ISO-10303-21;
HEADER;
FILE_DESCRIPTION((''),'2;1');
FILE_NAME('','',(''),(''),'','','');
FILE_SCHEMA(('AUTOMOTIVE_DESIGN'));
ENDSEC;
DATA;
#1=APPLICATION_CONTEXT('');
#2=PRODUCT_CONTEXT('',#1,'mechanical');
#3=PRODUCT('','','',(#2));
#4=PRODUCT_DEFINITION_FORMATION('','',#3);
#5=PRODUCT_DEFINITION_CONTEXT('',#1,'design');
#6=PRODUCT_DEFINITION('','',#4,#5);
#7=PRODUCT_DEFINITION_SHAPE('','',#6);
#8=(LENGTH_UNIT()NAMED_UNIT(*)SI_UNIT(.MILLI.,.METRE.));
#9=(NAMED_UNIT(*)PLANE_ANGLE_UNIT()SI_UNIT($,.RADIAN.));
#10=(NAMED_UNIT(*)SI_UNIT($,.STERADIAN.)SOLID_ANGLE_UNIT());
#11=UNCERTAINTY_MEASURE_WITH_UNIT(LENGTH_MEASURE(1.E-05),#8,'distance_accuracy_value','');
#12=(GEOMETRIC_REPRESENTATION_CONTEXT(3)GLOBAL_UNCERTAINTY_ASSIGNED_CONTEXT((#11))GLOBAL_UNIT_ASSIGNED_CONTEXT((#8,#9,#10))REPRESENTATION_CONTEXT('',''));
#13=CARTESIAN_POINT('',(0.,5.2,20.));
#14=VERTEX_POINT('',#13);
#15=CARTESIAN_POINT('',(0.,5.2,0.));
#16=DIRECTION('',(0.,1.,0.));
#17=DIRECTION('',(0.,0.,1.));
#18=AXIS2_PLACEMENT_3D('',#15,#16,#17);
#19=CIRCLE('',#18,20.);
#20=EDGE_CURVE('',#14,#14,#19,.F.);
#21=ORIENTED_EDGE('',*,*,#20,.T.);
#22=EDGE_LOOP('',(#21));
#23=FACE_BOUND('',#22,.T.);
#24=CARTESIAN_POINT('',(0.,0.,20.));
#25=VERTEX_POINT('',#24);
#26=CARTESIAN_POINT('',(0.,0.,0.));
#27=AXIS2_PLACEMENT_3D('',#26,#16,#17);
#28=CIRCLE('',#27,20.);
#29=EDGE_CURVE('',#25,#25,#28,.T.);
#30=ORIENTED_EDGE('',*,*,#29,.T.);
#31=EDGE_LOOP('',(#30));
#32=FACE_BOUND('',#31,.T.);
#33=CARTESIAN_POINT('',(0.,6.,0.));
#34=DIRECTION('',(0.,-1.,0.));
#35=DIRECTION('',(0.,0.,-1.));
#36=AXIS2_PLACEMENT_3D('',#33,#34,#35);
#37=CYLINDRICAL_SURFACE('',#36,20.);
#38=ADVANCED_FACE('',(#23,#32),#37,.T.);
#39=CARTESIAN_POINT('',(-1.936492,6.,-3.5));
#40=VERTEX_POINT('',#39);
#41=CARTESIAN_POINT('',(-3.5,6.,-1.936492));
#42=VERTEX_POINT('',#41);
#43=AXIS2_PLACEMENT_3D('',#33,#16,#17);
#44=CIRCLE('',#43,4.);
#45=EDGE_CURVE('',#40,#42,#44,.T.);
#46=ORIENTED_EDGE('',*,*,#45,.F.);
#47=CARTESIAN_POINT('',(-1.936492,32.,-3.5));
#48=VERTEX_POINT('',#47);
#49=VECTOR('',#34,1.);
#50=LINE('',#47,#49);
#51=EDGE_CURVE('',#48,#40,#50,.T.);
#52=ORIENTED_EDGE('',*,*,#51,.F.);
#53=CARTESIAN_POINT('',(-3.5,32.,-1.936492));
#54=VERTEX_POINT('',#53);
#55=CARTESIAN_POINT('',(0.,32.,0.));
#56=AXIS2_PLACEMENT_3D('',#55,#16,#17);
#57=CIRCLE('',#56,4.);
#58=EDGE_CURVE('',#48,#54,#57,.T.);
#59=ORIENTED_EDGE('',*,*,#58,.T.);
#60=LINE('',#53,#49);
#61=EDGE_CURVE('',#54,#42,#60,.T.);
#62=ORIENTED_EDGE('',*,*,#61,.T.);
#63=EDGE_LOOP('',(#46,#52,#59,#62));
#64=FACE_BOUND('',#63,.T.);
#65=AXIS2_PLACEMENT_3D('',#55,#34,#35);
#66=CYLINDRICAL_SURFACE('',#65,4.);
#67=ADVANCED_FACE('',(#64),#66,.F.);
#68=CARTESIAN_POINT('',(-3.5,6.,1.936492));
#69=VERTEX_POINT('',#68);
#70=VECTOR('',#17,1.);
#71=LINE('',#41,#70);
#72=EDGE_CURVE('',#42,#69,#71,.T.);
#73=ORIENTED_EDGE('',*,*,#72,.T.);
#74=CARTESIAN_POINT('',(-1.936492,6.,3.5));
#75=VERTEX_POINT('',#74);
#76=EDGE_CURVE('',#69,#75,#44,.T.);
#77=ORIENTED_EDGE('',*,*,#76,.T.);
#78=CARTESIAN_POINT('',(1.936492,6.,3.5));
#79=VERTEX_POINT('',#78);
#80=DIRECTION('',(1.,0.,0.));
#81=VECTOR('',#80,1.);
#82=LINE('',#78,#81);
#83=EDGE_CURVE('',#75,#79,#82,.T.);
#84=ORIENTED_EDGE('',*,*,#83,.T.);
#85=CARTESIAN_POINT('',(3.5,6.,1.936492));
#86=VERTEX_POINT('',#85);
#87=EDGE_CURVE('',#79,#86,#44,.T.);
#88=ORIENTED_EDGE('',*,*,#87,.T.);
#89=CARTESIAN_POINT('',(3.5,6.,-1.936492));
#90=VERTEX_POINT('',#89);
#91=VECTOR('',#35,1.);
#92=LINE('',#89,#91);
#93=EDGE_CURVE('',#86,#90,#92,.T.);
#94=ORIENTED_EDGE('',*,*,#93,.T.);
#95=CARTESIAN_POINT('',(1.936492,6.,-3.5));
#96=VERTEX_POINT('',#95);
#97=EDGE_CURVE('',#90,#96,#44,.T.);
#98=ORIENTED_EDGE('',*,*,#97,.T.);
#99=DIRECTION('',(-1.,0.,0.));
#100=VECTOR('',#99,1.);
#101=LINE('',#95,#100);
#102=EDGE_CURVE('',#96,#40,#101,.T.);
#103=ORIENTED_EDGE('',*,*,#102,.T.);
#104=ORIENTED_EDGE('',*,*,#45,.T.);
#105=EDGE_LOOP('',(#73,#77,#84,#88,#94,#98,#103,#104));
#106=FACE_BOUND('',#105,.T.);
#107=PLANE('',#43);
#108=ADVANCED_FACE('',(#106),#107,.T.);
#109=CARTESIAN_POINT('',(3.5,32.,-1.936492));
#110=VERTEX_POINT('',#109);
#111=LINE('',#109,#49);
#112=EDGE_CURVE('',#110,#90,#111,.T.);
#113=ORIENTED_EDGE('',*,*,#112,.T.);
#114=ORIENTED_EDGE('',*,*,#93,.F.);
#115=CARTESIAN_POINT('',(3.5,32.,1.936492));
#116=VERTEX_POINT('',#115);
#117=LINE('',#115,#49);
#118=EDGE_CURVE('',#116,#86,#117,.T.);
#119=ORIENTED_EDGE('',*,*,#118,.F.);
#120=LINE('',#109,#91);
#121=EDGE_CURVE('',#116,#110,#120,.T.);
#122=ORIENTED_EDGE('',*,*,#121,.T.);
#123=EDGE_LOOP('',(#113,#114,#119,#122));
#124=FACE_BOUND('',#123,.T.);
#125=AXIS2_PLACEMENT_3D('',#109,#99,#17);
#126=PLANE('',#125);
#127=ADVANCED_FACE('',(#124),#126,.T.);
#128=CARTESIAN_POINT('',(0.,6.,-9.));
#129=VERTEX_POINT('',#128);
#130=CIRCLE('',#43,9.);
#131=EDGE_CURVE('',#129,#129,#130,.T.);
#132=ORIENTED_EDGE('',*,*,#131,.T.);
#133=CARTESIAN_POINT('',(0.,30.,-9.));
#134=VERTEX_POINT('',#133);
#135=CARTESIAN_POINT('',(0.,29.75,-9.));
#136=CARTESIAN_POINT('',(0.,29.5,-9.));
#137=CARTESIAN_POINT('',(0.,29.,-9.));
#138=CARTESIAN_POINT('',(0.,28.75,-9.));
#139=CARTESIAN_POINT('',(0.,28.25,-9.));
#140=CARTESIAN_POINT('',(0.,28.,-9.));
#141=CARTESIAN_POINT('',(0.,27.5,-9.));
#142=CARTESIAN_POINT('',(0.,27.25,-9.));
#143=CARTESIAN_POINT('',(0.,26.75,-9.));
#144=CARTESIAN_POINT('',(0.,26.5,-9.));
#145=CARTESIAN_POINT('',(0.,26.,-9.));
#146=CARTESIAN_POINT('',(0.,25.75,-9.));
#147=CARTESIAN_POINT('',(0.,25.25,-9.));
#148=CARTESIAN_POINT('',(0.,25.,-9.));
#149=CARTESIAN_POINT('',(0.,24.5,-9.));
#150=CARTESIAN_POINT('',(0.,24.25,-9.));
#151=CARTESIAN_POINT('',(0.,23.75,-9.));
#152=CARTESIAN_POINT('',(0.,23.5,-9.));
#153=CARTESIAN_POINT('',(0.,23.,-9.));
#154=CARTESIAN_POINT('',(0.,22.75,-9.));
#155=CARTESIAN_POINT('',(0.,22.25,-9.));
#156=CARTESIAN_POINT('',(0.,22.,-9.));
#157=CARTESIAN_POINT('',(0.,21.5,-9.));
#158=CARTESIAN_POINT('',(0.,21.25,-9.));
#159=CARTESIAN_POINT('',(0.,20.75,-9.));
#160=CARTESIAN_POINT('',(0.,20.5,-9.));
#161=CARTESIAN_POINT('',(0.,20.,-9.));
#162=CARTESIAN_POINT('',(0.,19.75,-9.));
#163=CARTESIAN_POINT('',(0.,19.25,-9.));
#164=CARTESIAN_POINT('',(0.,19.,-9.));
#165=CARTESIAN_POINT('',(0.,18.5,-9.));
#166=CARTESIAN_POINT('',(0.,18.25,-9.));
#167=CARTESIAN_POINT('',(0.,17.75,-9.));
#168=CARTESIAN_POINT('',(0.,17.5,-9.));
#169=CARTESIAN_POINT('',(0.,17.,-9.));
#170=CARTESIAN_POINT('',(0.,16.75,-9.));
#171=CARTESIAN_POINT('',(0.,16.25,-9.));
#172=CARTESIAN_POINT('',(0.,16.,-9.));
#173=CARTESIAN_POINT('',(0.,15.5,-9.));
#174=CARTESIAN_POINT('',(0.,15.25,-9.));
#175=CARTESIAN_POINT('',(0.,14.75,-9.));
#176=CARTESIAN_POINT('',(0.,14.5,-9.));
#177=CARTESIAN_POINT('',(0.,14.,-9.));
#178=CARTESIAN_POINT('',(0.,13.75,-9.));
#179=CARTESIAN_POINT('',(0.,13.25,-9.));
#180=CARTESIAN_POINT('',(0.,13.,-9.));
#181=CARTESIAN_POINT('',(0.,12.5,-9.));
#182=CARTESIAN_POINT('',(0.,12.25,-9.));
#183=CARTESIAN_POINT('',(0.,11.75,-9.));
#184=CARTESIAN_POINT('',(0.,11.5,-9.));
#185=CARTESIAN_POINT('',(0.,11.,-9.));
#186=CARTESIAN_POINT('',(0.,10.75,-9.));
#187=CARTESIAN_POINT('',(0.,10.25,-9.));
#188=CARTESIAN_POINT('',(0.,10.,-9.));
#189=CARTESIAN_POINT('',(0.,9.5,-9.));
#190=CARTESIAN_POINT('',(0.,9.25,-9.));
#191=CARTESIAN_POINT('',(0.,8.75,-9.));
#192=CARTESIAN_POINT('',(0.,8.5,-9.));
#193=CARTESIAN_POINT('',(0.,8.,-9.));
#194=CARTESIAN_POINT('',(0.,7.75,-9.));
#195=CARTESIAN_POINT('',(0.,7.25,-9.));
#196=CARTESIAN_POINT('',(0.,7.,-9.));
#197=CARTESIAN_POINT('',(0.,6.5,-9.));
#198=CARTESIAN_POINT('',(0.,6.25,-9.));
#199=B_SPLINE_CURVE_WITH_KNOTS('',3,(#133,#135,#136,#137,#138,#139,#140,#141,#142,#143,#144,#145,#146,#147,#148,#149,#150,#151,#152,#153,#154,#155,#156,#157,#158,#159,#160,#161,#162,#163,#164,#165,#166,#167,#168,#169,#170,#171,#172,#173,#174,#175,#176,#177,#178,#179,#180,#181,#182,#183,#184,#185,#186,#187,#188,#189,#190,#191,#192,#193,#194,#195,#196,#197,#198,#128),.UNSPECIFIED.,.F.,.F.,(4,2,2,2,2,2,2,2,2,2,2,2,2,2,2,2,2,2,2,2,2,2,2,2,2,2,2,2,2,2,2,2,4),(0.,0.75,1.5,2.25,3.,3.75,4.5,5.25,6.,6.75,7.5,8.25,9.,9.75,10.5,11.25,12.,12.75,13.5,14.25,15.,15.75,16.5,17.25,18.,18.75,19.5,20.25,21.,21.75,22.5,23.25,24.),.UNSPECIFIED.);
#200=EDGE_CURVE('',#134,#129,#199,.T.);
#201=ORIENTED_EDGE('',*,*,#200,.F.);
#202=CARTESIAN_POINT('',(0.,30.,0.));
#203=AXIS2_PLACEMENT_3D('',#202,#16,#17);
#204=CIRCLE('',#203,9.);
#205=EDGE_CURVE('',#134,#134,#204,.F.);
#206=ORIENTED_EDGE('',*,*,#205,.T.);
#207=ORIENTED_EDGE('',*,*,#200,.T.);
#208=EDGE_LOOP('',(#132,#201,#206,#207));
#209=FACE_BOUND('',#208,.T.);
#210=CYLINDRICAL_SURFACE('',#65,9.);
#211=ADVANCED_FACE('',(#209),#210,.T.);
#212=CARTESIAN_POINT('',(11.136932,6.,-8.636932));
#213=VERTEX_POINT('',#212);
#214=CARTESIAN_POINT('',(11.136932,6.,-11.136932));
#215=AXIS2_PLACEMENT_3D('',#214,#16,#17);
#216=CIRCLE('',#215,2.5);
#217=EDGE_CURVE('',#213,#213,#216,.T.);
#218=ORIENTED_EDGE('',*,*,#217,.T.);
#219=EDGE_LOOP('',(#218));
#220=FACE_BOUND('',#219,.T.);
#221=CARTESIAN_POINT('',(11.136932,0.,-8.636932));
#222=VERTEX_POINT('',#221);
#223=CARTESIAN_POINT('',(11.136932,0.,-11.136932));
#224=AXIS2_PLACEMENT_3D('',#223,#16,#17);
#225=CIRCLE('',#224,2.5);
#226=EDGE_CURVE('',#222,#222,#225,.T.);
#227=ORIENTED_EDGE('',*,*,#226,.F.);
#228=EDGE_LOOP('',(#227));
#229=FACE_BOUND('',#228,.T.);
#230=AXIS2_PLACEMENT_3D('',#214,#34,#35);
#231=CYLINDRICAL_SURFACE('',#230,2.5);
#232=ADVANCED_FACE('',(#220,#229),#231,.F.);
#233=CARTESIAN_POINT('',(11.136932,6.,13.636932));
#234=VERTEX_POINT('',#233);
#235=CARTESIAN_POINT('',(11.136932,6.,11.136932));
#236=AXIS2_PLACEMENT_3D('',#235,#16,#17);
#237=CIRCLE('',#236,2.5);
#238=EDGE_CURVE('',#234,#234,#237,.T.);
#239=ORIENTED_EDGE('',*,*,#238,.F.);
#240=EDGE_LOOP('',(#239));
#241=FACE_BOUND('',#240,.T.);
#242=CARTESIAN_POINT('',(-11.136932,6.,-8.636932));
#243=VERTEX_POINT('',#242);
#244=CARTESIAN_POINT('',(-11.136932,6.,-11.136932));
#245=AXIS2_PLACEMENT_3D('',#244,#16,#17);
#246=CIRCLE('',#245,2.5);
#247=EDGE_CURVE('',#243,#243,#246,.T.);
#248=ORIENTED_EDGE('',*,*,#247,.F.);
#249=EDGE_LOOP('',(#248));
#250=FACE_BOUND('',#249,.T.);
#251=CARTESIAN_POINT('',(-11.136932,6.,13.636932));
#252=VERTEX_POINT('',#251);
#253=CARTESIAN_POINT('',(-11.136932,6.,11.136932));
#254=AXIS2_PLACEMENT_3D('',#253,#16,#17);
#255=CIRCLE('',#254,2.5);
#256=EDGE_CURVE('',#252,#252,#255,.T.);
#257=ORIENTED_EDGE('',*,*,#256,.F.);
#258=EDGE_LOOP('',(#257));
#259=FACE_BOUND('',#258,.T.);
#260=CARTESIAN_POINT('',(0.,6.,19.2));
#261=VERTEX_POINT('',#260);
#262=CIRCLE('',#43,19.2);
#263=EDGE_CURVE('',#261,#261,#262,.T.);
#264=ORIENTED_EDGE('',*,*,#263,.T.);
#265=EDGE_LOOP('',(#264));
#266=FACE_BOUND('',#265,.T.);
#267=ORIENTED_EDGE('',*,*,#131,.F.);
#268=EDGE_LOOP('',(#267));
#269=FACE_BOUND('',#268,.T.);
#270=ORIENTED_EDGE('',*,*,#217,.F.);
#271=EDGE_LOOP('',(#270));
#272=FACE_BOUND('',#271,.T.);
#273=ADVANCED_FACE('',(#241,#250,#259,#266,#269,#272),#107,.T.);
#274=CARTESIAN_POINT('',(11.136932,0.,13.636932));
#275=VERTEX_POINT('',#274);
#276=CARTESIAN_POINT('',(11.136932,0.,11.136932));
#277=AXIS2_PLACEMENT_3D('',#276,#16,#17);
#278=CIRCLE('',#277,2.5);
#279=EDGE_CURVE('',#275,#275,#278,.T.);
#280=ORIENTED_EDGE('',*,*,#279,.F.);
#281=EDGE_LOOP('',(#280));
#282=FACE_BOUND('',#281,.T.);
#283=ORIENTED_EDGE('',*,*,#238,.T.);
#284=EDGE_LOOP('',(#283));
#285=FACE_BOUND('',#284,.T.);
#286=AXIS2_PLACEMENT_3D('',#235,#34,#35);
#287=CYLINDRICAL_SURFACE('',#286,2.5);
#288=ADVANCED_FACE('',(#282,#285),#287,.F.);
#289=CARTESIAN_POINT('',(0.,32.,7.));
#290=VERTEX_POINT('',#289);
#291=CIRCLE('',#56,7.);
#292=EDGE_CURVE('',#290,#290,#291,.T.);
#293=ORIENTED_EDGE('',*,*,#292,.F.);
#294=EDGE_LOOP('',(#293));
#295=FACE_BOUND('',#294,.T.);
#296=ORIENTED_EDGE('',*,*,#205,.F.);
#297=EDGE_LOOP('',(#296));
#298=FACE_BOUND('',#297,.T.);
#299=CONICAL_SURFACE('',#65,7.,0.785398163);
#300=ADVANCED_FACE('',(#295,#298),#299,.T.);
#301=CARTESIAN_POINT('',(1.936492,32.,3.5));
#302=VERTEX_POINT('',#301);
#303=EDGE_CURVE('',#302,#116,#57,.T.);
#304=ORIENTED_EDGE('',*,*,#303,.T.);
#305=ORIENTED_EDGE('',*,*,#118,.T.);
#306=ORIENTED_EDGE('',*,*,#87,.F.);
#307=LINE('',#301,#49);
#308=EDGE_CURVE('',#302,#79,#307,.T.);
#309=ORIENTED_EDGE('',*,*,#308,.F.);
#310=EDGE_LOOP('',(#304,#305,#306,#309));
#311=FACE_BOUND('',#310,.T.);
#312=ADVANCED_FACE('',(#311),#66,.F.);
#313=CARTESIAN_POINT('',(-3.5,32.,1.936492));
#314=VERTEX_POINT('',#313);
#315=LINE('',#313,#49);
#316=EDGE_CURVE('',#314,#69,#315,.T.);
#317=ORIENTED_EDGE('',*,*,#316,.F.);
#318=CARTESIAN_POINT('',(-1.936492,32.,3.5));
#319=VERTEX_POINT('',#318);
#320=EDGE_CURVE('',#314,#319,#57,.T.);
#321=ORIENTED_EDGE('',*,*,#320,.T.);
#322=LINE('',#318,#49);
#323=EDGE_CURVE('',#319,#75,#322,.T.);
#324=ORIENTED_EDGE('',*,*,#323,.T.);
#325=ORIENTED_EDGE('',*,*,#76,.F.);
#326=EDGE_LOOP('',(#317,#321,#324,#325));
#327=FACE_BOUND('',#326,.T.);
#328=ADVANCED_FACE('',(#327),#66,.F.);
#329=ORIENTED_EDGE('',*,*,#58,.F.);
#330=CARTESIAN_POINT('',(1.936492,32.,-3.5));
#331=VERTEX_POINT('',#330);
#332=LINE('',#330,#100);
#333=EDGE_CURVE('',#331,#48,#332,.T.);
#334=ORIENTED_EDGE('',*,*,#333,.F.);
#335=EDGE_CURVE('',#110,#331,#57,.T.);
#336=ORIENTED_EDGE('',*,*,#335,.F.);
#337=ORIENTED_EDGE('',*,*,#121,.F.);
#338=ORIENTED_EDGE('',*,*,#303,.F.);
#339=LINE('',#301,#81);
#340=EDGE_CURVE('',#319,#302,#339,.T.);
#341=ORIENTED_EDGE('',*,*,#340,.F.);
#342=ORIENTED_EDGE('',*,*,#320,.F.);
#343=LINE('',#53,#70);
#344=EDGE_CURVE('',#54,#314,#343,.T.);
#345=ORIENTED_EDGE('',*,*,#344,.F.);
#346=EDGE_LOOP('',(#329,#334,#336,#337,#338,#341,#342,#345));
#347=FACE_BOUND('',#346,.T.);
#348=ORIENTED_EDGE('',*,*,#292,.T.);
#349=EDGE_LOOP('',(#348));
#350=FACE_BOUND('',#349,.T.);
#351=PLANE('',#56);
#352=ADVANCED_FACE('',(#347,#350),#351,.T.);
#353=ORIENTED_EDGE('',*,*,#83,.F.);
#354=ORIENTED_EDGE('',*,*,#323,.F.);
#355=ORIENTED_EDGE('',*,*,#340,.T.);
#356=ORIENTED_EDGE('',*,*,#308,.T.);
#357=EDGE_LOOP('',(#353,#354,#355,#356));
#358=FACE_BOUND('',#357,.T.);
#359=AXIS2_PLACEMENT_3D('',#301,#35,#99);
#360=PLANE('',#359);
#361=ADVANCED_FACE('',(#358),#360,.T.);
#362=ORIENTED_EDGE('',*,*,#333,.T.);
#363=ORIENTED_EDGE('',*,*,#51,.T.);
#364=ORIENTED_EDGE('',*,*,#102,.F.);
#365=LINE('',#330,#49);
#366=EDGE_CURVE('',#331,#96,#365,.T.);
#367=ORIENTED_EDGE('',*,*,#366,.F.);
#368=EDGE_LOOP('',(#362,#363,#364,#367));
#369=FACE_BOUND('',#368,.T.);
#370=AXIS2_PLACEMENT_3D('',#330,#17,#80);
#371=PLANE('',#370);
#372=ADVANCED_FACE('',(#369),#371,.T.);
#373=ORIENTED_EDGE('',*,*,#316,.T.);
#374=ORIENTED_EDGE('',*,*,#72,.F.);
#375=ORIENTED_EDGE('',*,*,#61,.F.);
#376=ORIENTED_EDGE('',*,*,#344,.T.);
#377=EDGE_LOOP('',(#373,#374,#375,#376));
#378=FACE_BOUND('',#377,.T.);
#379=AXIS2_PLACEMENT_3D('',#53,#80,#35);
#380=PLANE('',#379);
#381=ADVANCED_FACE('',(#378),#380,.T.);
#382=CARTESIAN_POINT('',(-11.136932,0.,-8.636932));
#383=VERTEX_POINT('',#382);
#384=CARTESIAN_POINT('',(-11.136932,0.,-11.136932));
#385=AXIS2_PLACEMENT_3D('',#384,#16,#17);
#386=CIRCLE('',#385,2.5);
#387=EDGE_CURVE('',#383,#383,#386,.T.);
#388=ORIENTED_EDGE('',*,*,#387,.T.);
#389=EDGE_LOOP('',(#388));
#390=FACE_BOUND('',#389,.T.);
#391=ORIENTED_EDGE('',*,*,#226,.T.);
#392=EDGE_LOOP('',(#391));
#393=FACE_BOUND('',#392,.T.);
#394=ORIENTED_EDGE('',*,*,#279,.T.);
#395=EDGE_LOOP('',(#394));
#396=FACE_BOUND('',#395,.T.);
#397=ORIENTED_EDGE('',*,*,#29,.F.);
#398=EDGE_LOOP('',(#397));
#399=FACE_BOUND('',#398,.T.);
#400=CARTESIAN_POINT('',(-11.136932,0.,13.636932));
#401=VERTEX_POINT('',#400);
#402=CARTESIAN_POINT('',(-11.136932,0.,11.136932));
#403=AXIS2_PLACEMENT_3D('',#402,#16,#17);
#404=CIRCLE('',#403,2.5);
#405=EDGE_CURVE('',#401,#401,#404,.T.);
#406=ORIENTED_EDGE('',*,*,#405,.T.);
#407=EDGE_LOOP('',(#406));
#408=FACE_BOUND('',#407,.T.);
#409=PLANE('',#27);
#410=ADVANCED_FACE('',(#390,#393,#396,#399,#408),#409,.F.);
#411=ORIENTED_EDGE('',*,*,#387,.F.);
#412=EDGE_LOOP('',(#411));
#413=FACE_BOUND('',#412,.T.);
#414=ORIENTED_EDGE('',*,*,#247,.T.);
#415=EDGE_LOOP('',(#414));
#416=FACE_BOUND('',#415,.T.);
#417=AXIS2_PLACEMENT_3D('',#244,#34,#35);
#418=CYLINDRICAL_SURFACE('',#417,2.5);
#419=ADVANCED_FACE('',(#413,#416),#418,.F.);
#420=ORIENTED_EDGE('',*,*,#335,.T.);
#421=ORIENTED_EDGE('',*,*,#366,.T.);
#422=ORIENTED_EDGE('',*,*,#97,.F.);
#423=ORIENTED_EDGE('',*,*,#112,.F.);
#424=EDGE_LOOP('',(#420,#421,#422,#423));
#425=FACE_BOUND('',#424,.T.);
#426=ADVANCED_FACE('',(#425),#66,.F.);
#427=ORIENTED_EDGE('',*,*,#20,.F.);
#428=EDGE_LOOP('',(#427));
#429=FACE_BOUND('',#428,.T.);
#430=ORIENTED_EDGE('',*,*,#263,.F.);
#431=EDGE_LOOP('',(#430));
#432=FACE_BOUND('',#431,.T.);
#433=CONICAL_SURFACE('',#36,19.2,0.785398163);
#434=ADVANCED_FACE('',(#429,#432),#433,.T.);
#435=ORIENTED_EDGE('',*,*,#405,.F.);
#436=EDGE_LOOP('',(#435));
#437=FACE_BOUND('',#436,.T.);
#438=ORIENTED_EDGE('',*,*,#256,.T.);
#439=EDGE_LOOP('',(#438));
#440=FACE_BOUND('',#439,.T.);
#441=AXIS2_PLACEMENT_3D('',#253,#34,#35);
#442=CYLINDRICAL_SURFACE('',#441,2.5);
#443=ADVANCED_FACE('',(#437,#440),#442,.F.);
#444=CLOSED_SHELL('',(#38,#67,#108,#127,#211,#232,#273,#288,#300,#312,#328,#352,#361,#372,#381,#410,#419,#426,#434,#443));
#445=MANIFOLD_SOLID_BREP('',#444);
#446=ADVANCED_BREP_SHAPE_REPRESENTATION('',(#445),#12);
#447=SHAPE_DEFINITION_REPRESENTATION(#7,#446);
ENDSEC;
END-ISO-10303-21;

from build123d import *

# Parameters (mm, degrees)
SKETCH_1_R      = 20
SKETCH_1_R_2    = 2.5
EXTRUDE_1_DEPTH = 6
SKETCH_2_R      = 9
EXTRUDE_2_DEPTH = 26
CHAMFER_1_SIZE  = 0.8
CHAMFER_2_SIZE  = 2


with BuildPart() as part:
    # 草图1 → 凸台-拉伸1 (new body)
    with BuildSketch(Plane(origin=(0, 0, 0), x_dir=(1, 0, 0), z_dir=(0, 1, 0))):
        with Locations(Location((0, 0, 0), (0, 0, 270))):
            Circle(SKETCH_1_R)
        with Locations(Location((-11.136931804, 11.136931804, 0), (0, 0, 270))):
            Circle(SKETCH_1_R_2, mode=Mode.SUBTRACT)
        with Locations(Location((11.136931804, 11.136931804, 0), (0, 0, 270))):
            Circle(SKETCH_1_R_2, mode=Mode.SUBTRACT)
        with Locations(Location((11.136931804, -11.136931804, 0), (0, 0, 270))):
            Circle(SKETCH_1_R_2, mode=Mode.SUBTRACT)
        with Locations(Location((-11.136931804, -11.136931804, 0), (0, 0, 270))):
            Circle(SKETCH_1_R_2, mode=Mode.SUBTRACT)
    extrude(amount=EXTRUDE_1_DEPTH)

    # 草图2 → 凸台-拉伸2 (add)
    with BuildSketch(Plane(origin=(0, 6, 0), x_dir=(1, 0, 0), z_dir=(0, 1, 0))):
        with Locations(Location((0, 0, 0), (0, 0, 90))):
            Circle(SKETCH_2_R)
        with BuildLine():
            Line((1.936491673, 3.5), (-1.936491673, 3.5))
            ThreePointArc((-1.936491673, 3.5), (-2.828427125, 2.828427125), (-3.5, 1.936491673))
            Line((-3.5, 1.936491673), (-3.5, -1.936491673))
            ThreePointArc((-3.5, -1.936491673), (-2.828427125, -2.828427125), (-1.936491673, -3.5))
            Line((-1.936491673, -3.5), (1.936491673, -3.5))
            ThreePointArc((1.936491673, -3.5), (2.828427125, -2.828427125), (3.5, -1.936491673))
            Line((3.5, -1.936491673), (3.5, 1.936491673))
            ThreePointArc((3.5, 1.936491673), (2.828427125, 2.828427125), (1.936491673, 3.5))
        make_face(mode=Mode.SUBTRACT)
    extrude(amount=EXTRUDE_2_DEPTH)

    # 倒角1
    chamfer_1_edges = [part.edges().sort_by_distance(p)[0] for p in [
        (0, 6, -20),
    ]]
    chamfer(chamfer_1_edges, length=CHAMFER_1_SIZE)

    # 倒角2
    chamfer_2_edges = [part.edges().sort_by_distance(p)[0] for p in [
        (0, 32, 9),
    ]]
    chamfer(chamfer_2_edges, length=CHAMFER_2_SIZE)


solid = part.part
